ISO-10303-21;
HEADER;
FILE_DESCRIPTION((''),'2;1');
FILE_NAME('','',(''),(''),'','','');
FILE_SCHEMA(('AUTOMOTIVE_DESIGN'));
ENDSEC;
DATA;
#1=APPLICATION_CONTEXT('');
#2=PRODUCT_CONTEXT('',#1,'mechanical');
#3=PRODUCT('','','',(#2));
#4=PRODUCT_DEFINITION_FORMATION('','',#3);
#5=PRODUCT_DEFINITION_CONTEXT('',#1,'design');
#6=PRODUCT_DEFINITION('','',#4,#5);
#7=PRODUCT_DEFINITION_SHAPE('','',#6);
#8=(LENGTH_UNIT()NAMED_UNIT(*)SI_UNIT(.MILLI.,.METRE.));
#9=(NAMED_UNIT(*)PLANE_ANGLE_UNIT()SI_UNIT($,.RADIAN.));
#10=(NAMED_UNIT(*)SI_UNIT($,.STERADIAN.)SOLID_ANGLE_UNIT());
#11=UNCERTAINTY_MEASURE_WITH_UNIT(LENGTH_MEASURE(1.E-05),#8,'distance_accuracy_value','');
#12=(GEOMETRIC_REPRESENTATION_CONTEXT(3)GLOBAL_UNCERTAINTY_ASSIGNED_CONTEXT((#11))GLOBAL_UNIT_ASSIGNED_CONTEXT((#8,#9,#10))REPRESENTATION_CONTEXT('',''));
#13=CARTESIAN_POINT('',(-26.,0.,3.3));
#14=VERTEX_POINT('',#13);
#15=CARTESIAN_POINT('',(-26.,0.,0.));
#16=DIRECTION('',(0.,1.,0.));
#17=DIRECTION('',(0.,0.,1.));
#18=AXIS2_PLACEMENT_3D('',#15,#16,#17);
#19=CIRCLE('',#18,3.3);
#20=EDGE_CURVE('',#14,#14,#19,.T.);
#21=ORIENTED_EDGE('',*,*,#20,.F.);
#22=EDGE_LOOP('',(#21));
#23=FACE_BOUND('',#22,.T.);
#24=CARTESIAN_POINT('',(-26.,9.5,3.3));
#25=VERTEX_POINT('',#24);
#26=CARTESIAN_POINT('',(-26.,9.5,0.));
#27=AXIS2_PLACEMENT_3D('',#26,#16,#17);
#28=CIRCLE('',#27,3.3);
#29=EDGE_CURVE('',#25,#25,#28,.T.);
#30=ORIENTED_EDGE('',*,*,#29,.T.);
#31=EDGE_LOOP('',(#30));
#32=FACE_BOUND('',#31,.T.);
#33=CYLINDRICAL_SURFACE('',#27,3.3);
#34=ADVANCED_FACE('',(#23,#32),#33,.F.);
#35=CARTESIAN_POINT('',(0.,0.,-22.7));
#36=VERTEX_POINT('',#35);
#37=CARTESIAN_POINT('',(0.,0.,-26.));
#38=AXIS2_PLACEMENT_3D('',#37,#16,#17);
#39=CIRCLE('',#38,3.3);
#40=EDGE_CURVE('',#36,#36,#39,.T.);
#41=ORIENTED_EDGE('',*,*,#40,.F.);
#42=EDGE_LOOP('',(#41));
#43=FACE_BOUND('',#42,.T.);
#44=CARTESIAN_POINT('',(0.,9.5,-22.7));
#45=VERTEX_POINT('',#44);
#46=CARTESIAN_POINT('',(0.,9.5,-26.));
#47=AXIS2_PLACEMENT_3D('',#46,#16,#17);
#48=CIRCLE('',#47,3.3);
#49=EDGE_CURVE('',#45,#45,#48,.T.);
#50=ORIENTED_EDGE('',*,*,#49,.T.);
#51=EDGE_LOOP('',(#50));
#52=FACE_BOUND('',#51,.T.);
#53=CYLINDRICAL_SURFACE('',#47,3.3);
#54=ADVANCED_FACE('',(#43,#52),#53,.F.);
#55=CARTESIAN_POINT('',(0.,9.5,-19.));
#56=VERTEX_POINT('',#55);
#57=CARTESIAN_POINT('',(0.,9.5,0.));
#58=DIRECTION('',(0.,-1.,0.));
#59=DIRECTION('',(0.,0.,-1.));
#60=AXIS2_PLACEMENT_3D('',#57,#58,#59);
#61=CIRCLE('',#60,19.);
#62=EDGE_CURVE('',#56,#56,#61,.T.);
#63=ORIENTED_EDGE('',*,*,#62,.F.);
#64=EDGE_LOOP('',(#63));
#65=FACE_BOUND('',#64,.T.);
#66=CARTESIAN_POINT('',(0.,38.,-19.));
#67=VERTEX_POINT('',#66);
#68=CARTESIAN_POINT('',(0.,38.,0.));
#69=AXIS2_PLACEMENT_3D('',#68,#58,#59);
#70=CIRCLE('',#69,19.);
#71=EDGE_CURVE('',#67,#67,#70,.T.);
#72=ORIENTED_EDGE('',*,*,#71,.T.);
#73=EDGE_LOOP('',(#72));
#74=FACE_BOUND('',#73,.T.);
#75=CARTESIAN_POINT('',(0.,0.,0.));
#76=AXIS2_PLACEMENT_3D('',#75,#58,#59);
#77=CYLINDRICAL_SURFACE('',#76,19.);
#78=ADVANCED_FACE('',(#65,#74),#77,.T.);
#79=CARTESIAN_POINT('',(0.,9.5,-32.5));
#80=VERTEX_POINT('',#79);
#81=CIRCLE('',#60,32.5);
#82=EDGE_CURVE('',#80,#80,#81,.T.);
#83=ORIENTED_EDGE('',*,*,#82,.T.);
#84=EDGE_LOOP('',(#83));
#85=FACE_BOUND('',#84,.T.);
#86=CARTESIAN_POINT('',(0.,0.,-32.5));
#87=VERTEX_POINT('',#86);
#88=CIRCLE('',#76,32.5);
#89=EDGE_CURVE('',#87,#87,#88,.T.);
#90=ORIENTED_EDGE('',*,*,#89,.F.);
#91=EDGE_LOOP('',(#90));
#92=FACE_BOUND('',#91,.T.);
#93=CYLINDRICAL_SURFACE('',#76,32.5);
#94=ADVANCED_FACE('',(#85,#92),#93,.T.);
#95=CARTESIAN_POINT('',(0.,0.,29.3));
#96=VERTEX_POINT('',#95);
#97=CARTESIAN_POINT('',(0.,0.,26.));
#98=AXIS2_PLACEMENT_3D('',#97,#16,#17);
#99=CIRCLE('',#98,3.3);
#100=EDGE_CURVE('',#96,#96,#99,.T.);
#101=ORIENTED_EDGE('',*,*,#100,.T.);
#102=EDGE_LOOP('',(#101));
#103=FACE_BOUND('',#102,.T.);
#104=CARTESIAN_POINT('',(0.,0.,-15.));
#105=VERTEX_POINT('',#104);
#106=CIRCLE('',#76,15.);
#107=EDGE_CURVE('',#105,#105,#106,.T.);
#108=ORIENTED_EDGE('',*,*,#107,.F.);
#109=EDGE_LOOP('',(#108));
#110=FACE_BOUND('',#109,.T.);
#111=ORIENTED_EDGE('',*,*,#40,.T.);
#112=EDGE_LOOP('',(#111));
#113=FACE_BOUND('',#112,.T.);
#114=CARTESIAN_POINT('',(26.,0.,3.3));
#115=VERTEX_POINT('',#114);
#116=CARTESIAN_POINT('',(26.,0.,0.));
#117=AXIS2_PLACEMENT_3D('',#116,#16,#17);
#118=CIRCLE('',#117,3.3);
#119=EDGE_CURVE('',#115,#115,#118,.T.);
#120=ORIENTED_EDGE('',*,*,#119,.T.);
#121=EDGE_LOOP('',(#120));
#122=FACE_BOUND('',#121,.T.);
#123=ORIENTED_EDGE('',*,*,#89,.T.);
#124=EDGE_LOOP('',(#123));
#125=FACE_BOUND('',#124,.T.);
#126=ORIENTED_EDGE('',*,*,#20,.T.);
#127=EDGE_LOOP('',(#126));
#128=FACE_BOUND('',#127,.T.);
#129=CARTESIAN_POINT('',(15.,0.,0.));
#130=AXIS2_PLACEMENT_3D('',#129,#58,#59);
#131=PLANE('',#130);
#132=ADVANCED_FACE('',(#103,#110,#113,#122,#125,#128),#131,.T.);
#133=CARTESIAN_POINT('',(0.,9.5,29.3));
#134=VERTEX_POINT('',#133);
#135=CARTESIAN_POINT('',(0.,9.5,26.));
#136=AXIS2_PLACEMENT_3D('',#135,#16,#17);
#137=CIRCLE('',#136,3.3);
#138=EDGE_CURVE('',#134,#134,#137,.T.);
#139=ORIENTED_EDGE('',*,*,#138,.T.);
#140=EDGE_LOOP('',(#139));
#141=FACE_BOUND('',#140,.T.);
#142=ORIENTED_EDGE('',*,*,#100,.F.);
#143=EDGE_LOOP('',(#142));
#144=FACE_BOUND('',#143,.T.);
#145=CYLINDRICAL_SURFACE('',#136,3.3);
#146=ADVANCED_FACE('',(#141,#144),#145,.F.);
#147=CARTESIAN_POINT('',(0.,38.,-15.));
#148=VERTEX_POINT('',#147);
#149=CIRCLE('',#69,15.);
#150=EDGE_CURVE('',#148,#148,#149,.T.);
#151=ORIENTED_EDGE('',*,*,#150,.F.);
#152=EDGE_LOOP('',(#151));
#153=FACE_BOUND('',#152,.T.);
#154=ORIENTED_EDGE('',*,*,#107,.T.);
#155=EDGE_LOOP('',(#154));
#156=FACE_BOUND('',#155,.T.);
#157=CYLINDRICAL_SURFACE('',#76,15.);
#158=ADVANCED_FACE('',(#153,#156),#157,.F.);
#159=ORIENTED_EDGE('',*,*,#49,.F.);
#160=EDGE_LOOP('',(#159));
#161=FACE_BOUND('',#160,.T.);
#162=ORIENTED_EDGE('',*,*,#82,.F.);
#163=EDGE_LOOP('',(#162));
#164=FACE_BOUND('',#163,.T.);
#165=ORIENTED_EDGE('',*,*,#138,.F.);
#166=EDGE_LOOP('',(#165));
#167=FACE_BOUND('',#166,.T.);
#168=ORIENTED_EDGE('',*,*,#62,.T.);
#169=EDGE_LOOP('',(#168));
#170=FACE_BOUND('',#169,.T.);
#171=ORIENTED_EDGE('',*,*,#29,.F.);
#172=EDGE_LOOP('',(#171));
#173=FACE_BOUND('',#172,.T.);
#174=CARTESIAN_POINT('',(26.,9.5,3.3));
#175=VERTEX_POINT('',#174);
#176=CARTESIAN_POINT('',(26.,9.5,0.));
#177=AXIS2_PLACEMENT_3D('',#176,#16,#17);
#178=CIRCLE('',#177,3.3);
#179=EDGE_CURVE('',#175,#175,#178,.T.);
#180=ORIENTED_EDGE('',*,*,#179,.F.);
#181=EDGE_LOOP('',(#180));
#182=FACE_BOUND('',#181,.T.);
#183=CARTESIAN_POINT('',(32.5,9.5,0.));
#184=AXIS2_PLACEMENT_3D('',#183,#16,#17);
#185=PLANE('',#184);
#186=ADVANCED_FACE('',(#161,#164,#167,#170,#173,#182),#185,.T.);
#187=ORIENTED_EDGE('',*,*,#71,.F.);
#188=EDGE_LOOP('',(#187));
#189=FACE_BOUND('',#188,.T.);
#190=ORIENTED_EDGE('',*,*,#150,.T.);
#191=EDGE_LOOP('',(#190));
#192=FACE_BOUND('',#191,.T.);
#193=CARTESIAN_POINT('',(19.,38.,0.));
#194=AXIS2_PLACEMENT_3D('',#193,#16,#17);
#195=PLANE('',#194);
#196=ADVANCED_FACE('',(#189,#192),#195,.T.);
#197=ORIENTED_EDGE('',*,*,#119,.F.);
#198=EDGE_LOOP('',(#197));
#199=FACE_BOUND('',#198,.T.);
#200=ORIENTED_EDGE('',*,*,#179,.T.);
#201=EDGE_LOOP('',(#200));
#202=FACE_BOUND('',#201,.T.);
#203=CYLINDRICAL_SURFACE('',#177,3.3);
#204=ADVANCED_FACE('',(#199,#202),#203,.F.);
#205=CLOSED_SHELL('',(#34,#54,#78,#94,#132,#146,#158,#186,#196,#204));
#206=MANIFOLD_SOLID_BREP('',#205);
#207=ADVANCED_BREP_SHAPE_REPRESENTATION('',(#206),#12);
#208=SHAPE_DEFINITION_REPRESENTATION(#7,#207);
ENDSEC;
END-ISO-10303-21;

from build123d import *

# Parameters (mm, degrees)
F_6_6_6_6_DIAMETER_HOLE1_D = 6.6


with BuildPart() as part:
    # Sketch1 → Revolve1 (revolve)
    with BuildSketch(Plane.XY):
        Polygon((15, 38), (15, 0), (32.5, 0), (32.5, 9.5), (19, 9.5), (19, 38), align=None)
    revolve(axis=Axis((0, 0, 0), (0, 1, 0)))

    # Ø6.6 (6.6) Diameter Hole1 (through all)
    with Locations(Plane(origin=(0, 9.5, 0), x_dir=(1, 0, 0), z_dir=(0, 1, 0))):
        with Locations((0, 26), (0, -26), (26, 0), (-26, 0)):
            Hole(F_6_6_6_6_DIAMETER_HOLE1_D / 2)


solid = part.part
